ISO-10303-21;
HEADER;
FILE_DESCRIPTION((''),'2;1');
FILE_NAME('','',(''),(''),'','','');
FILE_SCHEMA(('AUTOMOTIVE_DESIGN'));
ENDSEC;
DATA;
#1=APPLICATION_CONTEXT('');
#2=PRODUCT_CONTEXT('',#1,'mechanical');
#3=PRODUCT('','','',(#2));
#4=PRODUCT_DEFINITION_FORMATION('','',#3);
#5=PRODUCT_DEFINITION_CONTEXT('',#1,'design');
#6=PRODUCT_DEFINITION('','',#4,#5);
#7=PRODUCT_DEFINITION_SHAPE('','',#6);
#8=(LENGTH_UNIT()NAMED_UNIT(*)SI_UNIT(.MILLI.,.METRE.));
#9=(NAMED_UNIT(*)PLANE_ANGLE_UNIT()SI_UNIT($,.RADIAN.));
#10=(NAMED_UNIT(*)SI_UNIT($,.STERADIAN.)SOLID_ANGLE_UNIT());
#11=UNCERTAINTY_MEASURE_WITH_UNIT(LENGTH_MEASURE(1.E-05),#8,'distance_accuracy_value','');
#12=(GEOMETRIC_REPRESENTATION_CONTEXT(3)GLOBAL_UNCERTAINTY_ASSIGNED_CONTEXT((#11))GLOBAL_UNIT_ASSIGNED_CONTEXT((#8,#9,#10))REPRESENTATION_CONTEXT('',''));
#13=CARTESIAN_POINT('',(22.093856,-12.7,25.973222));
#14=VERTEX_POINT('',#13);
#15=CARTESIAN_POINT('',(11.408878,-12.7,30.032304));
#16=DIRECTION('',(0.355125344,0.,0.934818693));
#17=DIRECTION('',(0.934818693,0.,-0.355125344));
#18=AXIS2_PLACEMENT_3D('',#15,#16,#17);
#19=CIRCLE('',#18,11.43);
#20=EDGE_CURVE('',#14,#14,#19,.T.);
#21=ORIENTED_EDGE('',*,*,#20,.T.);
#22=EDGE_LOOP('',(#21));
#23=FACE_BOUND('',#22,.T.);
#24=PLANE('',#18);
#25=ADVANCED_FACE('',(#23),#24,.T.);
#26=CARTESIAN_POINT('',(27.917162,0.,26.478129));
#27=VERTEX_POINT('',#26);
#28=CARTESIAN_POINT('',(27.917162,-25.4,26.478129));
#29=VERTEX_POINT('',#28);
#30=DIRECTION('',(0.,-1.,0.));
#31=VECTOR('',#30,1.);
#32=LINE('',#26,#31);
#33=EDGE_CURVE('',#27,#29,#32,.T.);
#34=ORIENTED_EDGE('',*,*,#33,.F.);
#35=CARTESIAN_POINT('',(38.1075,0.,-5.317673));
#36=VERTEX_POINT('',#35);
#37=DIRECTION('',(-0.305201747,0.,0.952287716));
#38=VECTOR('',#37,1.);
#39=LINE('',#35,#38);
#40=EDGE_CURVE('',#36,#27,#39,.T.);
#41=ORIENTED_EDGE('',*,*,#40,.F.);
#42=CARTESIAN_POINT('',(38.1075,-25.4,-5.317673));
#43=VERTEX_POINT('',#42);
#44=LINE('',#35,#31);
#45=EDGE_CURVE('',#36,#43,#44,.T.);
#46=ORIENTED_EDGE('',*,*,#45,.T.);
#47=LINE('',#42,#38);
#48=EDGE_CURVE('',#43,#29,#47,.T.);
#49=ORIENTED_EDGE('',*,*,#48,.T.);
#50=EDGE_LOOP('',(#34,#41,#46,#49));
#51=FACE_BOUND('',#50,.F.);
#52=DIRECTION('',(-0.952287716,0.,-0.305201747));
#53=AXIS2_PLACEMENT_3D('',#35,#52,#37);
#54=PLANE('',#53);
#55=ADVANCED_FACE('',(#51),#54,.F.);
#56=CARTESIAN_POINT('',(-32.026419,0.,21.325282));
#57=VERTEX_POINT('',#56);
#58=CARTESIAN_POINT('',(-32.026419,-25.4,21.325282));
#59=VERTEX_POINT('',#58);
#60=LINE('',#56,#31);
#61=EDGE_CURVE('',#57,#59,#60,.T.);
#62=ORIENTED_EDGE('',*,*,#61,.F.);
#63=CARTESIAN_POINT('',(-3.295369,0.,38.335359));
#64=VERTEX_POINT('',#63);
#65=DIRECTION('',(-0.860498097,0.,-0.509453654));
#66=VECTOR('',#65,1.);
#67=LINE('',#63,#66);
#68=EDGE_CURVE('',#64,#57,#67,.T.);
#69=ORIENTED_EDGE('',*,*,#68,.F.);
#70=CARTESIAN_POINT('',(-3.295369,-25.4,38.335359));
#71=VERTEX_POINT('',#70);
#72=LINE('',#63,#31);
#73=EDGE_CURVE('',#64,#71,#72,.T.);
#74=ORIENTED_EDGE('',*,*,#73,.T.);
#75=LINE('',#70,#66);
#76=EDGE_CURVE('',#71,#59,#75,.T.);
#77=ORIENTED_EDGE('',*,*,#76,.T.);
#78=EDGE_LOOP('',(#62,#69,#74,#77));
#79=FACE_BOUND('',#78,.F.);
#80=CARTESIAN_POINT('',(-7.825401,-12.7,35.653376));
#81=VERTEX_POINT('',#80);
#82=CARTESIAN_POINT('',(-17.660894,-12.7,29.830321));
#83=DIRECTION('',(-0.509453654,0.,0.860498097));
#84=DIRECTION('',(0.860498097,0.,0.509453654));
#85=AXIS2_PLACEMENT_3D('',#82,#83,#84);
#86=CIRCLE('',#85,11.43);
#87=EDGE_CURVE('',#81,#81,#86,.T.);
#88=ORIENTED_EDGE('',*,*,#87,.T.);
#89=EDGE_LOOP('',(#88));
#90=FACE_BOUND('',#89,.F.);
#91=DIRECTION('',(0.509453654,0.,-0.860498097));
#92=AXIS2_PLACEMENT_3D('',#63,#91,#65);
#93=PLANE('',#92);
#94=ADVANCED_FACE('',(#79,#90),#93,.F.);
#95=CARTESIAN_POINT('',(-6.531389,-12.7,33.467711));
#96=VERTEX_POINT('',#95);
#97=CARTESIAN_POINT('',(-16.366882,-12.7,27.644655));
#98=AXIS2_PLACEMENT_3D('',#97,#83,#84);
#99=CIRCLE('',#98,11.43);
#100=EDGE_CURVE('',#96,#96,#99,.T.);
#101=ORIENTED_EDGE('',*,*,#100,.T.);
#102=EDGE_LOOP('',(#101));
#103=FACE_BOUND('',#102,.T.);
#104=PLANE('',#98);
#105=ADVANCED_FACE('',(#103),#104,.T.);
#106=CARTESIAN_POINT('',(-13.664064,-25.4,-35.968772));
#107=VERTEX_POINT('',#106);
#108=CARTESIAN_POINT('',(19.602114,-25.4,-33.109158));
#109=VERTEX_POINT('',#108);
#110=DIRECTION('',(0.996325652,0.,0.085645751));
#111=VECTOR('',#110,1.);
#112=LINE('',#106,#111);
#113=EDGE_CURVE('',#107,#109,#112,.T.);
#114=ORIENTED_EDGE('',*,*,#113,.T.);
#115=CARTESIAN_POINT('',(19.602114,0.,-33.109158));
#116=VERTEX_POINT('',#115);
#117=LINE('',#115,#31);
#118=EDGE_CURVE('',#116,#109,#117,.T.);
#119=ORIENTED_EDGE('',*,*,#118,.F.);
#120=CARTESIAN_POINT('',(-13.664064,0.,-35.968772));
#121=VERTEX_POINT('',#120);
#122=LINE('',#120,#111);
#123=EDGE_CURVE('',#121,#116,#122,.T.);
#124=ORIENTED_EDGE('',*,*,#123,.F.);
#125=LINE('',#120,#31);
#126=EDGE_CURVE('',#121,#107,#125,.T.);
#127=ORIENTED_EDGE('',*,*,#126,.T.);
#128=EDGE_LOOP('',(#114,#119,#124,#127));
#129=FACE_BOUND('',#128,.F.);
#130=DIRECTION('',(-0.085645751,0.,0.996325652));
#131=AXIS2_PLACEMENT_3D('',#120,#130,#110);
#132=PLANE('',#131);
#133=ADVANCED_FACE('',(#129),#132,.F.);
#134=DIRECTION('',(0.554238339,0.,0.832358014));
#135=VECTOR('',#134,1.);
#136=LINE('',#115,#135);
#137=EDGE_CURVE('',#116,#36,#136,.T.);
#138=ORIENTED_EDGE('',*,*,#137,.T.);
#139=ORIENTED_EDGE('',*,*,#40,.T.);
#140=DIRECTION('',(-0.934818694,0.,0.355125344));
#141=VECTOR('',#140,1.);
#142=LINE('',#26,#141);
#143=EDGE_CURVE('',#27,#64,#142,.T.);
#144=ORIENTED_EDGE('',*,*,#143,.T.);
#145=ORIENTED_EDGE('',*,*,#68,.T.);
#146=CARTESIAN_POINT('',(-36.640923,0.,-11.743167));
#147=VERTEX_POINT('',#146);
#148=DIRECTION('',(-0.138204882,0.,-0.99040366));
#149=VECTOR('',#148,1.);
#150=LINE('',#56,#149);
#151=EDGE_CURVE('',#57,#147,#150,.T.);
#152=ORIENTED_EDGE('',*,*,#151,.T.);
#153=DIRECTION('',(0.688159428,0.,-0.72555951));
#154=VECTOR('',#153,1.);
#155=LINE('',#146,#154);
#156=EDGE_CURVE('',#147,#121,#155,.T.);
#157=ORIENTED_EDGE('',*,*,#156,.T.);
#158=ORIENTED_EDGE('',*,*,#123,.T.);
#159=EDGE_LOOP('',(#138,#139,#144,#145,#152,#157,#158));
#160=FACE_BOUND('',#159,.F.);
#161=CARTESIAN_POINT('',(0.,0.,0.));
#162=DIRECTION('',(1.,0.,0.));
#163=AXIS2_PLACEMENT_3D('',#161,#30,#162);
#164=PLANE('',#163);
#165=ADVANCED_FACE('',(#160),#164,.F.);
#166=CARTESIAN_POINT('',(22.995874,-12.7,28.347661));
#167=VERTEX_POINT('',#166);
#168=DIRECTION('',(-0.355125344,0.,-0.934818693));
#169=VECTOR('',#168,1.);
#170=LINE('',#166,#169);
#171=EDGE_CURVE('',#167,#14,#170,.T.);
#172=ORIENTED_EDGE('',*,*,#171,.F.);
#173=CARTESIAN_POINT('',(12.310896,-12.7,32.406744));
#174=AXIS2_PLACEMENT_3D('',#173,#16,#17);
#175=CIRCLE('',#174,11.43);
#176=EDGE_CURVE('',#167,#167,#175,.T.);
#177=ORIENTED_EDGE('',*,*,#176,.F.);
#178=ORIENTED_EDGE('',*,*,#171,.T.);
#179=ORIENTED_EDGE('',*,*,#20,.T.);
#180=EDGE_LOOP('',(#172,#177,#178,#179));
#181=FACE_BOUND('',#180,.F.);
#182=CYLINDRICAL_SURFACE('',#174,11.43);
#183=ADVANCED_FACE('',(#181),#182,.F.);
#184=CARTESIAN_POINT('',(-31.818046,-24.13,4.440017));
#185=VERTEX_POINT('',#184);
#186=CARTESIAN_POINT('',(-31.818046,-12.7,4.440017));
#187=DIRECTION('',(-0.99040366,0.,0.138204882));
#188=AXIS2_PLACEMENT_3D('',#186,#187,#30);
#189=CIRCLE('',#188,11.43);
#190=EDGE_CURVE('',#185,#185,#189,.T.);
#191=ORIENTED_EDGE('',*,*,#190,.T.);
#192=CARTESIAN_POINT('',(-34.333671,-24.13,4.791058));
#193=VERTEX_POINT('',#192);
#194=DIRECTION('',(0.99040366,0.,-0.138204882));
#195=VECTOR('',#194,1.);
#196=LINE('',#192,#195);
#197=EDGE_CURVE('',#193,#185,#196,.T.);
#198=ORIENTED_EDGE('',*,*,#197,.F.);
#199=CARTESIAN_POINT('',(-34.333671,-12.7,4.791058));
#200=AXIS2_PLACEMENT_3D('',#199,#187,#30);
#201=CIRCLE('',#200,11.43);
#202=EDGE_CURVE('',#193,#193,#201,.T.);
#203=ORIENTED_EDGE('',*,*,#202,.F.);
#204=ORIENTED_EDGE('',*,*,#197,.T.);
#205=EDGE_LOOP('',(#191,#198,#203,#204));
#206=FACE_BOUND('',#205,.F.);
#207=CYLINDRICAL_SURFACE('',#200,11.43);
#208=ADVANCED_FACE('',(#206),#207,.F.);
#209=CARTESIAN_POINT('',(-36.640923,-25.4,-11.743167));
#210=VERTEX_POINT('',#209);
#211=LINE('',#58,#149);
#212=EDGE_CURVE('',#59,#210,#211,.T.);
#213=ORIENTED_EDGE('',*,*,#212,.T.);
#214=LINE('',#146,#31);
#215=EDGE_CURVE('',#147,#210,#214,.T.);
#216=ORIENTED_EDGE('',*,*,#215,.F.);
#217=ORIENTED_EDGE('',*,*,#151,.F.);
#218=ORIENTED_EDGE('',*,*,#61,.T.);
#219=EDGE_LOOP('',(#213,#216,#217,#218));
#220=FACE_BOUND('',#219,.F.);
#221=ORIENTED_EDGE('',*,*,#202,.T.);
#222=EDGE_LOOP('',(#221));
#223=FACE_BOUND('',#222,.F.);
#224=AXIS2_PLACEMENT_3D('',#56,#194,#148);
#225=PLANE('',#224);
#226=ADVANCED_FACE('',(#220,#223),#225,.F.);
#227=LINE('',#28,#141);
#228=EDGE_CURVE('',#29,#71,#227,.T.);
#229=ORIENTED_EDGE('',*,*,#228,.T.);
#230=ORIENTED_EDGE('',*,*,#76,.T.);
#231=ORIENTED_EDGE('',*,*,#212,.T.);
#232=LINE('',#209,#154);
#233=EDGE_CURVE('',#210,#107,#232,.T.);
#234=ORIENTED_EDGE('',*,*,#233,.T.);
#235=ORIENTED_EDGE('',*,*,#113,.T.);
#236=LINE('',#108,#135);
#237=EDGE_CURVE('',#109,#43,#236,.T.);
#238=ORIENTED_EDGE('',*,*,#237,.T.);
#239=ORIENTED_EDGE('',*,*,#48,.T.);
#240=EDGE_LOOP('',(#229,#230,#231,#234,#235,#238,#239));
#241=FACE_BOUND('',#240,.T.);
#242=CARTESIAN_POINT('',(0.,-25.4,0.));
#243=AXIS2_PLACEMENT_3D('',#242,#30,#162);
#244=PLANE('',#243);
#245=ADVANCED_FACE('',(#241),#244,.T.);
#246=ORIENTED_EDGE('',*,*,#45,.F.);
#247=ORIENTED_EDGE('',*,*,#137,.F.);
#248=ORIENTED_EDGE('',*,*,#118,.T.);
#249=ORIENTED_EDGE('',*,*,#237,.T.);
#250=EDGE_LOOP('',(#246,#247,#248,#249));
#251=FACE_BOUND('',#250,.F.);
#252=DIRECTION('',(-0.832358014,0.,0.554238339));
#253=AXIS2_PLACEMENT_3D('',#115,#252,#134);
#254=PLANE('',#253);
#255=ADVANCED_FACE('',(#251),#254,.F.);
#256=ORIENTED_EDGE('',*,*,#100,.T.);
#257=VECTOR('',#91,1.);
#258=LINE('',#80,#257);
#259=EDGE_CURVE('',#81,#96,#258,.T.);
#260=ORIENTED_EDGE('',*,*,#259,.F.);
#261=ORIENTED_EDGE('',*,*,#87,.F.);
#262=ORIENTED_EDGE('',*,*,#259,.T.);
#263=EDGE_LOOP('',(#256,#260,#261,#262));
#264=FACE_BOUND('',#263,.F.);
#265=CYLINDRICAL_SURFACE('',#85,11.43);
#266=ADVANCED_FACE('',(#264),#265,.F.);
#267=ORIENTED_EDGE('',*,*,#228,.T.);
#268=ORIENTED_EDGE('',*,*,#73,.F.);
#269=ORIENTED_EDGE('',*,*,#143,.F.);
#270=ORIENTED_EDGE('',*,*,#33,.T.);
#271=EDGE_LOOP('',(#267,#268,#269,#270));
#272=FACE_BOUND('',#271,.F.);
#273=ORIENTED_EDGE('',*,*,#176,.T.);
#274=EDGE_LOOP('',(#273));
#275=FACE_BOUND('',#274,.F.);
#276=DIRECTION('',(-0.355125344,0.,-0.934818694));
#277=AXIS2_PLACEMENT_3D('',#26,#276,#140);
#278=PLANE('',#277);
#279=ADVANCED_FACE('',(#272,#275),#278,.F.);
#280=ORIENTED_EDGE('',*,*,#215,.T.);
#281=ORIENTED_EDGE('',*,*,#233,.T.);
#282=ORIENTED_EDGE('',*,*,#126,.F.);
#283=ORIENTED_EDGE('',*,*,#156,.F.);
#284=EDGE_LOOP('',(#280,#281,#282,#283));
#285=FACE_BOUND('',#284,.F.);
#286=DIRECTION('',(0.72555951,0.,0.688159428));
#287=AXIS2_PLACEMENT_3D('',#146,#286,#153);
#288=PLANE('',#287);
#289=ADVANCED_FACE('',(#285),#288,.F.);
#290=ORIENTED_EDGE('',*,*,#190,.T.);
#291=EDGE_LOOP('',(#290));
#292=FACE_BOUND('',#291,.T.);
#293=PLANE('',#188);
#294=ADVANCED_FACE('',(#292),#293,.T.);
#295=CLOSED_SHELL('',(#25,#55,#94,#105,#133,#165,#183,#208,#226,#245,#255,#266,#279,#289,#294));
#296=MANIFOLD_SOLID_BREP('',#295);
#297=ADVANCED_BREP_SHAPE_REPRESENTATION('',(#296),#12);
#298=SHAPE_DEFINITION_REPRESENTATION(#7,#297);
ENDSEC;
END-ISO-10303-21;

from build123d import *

# Parameters (mm, degrees)
F1_DEPTH = 25.4
F2_R     = 11.43
F5_DEPTH = 2.54
F3_R     = 11.43
F6_DEPTH = 2.54
F4_R     = 11.43
F7_DEPTH = 2.54


with BuildPart() as f1:
    # F0 (on Front) → F1 (new body)
    with BuildSketch(Plane.XZ):
        Polygon((38.1075000086, -5.3176727306), (27.9171615839, 26.4781285077), (-3.2953689198, 38.3353589243), (-32.0264194136, 21.3252821721), (-36.6409228691, -11.7431670122), (-13.6640640655, -35.9687719194), (19.6021136755, -33.109157942), align=None)
    extrude(amount=F1_DEPTH)

    # F2 (on face) → F5 (cut)
    with BuildSketch(Plane(origin=(-34.3336711413, 0, 4.7910575799), x_dir=(0, -1, 0), z_dir=(-0.9904036604, 0, 0.1382048819))):
        with Locations((12.7, 0)):
            Circle(F2_R)
    extrude(amount=-F5_DEPTH, mode=Mode.SUBTRACT)

    # F3 (on face) → F6 (cut)
    with BuildSketch(Plane(origin=(-17.6608941667, 0, 29.8303205482), x_dir=(0.8604980965, 0, 0.5094536543), z_dir=(-0.5094536543, 0, 0.8604980965))):
        with Locations((0, -12.7)):
            Circle(F3_R)
    extrude(amount=-F6_DEPTH, mode=Mode.SUBTRACT)

    # F4 (on face) → F7 (cut)
    with BuildSketch(Plane(origin=(12.3108963321, 0, 32.406743716), x_dir=(0.9348186935, 0, -0.3551253445), z_dir=(0.3551253445, 0, 0.9348186935))):
        with Locations((0, -12.7)):
            Circle(F4_R)
    extrude(amount=-F7_DEPTH, mode=Mode.SUBTRACT)


solid = f1.part
